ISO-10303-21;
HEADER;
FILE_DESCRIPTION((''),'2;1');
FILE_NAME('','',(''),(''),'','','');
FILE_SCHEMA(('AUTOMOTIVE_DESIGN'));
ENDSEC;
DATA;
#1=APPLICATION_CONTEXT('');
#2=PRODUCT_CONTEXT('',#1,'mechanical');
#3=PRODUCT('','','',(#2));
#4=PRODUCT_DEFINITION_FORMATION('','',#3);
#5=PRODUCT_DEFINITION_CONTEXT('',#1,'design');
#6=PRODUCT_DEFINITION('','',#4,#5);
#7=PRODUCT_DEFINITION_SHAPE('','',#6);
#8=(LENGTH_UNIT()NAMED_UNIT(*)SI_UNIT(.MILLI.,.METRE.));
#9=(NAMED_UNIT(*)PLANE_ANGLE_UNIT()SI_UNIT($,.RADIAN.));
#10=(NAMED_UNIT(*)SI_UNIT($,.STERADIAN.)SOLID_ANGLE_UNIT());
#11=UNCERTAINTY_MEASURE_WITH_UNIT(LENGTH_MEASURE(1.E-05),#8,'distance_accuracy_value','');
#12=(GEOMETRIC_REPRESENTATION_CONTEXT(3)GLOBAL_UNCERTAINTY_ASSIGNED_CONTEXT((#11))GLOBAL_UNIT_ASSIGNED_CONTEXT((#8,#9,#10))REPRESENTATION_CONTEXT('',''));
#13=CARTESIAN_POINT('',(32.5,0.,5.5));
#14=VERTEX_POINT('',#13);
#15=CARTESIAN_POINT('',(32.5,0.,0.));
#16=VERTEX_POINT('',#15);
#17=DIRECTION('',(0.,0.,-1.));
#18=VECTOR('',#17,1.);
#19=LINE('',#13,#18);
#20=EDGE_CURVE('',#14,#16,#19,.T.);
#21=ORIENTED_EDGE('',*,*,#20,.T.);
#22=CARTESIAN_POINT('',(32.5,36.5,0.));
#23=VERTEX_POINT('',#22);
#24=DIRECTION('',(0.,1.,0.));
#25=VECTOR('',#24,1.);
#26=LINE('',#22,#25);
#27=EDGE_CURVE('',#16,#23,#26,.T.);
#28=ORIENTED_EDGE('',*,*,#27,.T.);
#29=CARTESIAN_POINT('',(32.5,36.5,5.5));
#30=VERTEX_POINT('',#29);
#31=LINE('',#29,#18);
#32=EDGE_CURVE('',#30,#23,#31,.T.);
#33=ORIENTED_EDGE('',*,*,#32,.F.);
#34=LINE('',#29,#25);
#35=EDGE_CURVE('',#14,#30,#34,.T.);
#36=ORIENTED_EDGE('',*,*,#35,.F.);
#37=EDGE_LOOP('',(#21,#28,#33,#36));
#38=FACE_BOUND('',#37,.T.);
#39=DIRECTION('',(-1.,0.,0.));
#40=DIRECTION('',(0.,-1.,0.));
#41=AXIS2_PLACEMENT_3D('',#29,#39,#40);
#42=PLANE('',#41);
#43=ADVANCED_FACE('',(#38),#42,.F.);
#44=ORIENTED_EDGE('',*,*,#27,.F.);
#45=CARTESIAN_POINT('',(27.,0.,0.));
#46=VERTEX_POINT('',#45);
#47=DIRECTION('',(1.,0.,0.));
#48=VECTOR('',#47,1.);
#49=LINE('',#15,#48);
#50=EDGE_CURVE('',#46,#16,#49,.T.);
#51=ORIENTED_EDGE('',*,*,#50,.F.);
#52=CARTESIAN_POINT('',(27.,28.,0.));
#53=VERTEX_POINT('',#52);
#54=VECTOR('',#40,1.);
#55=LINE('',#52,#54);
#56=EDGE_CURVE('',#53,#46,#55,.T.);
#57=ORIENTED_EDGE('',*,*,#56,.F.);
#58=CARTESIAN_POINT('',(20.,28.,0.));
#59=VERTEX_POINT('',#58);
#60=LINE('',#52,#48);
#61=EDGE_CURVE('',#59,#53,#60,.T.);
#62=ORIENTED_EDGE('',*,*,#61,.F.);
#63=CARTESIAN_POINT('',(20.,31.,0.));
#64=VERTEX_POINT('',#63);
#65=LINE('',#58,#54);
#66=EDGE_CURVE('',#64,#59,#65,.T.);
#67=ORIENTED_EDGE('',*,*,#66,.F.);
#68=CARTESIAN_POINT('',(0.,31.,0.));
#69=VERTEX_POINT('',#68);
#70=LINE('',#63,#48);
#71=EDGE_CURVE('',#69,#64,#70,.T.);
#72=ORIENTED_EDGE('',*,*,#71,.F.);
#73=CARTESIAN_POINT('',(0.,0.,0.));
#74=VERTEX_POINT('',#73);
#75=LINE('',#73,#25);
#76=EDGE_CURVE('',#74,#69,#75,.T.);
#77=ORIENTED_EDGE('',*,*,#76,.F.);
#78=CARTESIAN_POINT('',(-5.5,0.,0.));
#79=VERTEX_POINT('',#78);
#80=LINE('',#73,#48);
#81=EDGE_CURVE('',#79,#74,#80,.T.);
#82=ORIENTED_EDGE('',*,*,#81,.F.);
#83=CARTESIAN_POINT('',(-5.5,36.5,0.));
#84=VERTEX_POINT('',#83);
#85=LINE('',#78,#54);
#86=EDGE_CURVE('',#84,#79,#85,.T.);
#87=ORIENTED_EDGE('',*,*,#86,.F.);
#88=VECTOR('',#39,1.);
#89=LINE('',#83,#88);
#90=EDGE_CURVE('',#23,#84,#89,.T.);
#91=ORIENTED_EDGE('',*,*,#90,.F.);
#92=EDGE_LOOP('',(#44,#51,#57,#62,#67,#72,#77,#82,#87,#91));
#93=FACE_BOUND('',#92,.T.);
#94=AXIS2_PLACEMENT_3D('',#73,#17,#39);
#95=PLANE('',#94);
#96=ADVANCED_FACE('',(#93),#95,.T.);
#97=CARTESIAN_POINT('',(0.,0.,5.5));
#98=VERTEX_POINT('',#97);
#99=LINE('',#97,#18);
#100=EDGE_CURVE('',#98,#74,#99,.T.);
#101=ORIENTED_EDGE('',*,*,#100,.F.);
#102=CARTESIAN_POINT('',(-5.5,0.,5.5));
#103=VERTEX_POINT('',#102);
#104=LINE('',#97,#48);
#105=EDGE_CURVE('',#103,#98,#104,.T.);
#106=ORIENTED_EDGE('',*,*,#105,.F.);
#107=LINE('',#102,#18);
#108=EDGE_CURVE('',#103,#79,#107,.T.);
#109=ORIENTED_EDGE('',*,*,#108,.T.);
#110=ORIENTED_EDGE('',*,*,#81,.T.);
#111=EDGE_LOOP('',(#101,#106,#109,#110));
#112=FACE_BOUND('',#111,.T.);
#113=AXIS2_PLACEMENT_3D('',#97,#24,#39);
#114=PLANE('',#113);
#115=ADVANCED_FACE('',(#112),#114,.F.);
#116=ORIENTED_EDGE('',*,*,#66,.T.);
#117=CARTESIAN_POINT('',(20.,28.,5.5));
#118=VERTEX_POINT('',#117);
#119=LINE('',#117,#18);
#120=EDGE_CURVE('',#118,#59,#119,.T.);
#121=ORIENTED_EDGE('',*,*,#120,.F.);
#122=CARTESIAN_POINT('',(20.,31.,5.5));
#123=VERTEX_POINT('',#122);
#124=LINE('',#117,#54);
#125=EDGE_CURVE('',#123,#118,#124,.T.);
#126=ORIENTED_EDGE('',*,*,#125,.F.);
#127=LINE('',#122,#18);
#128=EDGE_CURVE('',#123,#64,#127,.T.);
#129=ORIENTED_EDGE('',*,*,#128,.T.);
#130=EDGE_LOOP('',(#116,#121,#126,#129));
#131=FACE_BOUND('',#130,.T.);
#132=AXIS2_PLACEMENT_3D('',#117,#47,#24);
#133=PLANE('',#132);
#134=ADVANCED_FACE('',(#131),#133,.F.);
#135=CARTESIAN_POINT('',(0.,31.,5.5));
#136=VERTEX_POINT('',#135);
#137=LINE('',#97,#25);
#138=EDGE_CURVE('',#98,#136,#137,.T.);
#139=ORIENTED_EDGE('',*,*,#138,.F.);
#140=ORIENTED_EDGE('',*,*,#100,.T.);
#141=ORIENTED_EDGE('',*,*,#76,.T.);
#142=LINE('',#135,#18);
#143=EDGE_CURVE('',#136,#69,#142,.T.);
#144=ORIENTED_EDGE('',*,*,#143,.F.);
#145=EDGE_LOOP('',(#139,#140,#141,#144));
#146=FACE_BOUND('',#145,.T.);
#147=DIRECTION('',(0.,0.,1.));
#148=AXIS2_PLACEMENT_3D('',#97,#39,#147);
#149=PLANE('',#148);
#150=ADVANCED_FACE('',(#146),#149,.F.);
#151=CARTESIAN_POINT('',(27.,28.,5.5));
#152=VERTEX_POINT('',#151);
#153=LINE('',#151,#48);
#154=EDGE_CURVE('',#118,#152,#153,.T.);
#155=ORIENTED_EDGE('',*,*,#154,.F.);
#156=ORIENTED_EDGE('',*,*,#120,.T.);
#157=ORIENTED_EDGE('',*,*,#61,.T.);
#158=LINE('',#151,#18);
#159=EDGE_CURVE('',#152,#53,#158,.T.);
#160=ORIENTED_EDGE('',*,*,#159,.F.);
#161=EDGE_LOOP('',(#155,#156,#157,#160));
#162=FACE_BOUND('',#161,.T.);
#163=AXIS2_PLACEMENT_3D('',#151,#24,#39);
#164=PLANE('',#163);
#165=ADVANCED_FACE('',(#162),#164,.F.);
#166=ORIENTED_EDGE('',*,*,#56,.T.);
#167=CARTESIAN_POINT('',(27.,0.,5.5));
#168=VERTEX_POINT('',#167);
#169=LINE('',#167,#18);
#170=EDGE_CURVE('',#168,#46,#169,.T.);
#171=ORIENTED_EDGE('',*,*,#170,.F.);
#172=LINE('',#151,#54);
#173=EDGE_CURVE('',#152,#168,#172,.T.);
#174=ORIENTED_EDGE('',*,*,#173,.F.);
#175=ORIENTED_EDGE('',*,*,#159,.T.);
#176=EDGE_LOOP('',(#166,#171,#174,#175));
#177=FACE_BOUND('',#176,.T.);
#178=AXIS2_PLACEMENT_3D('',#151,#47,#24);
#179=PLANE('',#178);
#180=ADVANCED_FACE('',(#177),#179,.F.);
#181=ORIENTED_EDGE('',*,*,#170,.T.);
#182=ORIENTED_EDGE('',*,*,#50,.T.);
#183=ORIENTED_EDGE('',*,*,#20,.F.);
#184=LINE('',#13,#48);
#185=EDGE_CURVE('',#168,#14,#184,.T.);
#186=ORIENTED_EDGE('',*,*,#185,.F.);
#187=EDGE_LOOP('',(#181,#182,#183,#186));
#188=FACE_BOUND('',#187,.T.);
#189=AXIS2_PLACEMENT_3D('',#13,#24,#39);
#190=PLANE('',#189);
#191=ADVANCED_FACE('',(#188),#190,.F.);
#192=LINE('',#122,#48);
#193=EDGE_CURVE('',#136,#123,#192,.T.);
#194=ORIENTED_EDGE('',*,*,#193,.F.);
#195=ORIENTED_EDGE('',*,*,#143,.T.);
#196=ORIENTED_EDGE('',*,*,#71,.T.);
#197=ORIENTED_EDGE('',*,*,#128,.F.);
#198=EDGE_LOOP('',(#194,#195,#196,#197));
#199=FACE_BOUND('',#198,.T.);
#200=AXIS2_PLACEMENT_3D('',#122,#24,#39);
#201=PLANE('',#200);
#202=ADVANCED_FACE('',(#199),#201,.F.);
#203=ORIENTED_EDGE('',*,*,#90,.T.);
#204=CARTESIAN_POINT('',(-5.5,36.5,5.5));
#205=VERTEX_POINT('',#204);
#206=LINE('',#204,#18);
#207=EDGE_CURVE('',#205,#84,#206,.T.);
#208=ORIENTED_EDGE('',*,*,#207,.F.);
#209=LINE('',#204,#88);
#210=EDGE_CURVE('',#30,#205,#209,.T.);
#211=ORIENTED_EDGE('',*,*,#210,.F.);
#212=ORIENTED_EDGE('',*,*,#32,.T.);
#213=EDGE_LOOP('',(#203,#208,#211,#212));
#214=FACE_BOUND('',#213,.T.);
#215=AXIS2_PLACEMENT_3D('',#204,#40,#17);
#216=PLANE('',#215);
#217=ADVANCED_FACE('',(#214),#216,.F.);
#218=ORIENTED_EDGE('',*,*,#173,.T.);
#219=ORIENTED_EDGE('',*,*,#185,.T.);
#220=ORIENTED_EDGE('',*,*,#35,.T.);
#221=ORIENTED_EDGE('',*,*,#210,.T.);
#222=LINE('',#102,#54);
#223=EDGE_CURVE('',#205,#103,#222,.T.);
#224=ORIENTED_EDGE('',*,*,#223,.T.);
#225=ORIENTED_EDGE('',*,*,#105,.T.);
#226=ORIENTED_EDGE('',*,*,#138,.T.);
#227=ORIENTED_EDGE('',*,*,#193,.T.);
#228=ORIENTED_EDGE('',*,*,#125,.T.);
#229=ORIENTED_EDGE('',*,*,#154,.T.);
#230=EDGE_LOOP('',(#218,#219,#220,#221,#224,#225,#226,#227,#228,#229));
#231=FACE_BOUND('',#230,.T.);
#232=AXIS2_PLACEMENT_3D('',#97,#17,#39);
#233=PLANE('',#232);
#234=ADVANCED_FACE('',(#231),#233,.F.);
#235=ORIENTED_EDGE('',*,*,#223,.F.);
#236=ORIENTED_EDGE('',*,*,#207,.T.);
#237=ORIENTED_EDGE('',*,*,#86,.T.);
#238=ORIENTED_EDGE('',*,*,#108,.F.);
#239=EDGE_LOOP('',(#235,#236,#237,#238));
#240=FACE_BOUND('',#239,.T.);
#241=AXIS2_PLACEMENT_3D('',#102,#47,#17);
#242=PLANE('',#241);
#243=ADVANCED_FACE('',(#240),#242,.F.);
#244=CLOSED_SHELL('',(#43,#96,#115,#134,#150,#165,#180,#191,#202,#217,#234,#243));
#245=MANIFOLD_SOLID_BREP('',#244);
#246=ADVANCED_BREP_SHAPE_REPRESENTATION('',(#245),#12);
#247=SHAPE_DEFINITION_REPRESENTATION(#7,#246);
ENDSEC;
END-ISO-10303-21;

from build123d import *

# Parameters (mm, degrees)
EXTRUDE_1_DEPTH = 5.5


with BuildPart() as part:
    # ｽｹｯﾁ1 → ﾎﾞｽ - 押し出し1 (new body)
    with BuildSketch(Plane.XY):
        Polygon((0, 0), (0, 31), (20, 31), (20, 28), (27, 28), (27, 0), (32.5, 0), (32.5, 36.5), (-5.5, 36.5), (-5.5, 0), align=None)
    extrude(amount=EXTRUDE_1_DEPTH)


solid = part.part
